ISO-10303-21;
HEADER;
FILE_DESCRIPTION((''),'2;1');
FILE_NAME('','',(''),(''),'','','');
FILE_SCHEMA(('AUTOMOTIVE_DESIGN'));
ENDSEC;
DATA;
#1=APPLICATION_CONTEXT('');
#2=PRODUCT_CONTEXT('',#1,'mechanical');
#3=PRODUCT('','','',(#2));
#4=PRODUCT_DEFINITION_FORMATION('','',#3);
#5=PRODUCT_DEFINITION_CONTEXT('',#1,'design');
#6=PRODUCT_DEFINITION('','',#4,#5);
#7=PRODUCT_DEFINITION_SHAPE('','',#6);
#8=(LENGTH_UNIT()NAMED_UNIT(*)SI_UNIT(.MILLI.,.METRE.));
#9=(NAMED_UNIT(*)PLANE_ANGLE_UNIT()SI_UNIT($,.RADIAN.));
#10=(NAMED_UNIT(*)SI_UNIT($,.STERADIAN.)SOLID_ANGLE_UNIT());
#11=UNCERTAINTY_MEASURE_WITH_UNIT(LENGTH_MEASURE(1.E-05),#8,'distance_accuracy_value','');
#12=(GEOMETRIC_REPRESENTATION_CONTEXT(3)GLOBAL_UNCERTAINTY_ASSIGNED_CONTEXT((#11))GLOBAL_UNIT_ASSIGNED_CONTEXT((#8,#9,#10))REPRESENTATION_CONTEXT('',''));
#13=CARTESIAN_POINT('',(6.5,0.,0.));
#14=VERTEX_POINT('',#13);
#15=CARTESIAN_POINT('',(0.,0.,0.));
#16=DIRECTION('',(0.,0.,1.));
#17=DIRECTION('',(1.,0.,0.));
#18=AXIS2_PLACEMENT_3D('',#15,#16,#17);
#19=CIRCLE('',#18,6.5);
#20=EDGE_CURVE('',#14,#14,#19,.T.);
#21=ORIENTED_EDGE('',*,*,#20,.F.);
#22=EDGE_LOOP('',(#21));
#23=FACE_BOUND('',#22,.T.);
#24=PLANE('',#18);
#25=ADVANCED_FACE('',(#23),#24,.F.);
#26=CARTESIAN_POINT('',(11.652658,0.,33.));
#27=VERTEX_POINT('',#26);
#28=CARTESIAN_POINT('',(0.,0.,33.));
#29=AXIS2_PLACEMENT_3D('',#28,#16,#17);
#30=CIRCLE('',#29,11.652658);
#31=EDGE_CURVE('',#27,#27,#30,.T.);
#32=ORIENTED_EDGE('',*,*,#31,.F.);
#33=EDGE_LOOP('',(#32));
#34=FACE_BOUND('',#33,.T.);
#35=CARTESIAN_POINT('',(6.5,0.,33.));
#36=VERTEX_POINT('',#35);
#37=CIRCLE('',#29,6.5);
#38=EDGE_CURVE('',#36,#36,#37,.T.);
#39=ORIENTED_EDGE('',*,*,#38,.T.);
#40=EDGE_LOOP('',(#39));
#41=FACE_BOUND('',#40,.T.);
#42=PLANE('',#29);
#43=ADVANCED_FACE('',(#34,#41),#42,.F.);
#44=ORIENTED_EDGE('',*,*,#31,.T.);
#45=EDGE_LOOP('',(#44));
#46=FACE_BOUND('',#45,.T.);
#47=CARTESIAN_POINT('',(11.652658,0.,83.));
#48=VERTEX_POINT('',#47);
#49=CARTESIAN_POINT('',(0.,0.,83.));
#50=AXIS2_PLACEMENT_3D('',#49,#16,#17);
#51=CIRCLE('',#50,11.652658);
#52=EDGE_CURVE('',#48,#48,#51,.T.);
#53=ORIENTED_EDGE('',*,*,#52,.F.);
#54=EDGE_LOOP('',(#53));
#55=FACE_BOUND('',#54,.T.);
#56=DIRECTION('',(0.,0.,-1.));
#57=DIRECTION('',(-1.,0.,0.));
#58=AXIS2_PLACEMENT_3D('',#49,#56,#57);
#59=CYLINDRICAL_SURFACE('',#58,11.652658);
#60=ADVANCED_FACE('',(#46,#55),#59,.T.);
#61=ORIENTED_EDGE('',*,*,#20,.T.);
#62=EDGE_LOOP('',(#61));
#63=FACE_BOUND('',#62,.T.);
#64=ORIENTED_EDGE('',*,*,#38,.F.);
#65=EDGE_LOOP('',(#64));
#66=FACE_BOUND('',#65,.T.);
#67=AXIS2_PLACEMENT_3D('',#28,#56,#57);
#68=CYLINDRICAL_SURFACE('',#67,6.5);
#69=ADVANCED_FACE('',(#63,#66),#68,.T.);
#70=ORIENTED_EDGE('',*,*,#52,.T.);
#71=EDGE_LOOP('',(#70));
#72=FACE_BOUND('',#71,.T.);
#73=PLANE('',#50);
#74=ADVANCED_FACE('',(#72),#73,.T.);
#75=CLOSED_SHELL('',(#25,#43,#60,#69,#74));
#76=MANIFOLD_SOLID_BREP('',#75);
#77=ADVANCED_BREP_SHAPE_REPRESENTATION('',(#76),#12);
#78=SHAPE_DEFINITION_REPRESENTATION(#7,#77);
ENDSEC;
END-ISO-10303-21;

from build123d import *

# Parameters (mm, degrees)
ESQUISSE1_R        = 6.5
BOSS_EXTRU_1_DEPTH = 33
ESQUISSE2_R        = 11.652657894
BOSS_EXTRU_2_DEPTH = 50


with BuildPart() as part:
    # Esquisse1 → Boss.-Extru.1 (new body)
    with BuildSketch(Plane.XY):
        Circle(ESQUISSE1_R)
    extrude(amount=BOSS_EXTRU_1_DEPTH)

    # Esquisse2 → Boss.-Extru.2 (add)
    with BuildSketch(Plane.XY.offset(33)):
        Circle(ESQUISSE2_R)
    extrude(amount=BOSS_EXTRU_2_DEPTH)


solid = part.part
